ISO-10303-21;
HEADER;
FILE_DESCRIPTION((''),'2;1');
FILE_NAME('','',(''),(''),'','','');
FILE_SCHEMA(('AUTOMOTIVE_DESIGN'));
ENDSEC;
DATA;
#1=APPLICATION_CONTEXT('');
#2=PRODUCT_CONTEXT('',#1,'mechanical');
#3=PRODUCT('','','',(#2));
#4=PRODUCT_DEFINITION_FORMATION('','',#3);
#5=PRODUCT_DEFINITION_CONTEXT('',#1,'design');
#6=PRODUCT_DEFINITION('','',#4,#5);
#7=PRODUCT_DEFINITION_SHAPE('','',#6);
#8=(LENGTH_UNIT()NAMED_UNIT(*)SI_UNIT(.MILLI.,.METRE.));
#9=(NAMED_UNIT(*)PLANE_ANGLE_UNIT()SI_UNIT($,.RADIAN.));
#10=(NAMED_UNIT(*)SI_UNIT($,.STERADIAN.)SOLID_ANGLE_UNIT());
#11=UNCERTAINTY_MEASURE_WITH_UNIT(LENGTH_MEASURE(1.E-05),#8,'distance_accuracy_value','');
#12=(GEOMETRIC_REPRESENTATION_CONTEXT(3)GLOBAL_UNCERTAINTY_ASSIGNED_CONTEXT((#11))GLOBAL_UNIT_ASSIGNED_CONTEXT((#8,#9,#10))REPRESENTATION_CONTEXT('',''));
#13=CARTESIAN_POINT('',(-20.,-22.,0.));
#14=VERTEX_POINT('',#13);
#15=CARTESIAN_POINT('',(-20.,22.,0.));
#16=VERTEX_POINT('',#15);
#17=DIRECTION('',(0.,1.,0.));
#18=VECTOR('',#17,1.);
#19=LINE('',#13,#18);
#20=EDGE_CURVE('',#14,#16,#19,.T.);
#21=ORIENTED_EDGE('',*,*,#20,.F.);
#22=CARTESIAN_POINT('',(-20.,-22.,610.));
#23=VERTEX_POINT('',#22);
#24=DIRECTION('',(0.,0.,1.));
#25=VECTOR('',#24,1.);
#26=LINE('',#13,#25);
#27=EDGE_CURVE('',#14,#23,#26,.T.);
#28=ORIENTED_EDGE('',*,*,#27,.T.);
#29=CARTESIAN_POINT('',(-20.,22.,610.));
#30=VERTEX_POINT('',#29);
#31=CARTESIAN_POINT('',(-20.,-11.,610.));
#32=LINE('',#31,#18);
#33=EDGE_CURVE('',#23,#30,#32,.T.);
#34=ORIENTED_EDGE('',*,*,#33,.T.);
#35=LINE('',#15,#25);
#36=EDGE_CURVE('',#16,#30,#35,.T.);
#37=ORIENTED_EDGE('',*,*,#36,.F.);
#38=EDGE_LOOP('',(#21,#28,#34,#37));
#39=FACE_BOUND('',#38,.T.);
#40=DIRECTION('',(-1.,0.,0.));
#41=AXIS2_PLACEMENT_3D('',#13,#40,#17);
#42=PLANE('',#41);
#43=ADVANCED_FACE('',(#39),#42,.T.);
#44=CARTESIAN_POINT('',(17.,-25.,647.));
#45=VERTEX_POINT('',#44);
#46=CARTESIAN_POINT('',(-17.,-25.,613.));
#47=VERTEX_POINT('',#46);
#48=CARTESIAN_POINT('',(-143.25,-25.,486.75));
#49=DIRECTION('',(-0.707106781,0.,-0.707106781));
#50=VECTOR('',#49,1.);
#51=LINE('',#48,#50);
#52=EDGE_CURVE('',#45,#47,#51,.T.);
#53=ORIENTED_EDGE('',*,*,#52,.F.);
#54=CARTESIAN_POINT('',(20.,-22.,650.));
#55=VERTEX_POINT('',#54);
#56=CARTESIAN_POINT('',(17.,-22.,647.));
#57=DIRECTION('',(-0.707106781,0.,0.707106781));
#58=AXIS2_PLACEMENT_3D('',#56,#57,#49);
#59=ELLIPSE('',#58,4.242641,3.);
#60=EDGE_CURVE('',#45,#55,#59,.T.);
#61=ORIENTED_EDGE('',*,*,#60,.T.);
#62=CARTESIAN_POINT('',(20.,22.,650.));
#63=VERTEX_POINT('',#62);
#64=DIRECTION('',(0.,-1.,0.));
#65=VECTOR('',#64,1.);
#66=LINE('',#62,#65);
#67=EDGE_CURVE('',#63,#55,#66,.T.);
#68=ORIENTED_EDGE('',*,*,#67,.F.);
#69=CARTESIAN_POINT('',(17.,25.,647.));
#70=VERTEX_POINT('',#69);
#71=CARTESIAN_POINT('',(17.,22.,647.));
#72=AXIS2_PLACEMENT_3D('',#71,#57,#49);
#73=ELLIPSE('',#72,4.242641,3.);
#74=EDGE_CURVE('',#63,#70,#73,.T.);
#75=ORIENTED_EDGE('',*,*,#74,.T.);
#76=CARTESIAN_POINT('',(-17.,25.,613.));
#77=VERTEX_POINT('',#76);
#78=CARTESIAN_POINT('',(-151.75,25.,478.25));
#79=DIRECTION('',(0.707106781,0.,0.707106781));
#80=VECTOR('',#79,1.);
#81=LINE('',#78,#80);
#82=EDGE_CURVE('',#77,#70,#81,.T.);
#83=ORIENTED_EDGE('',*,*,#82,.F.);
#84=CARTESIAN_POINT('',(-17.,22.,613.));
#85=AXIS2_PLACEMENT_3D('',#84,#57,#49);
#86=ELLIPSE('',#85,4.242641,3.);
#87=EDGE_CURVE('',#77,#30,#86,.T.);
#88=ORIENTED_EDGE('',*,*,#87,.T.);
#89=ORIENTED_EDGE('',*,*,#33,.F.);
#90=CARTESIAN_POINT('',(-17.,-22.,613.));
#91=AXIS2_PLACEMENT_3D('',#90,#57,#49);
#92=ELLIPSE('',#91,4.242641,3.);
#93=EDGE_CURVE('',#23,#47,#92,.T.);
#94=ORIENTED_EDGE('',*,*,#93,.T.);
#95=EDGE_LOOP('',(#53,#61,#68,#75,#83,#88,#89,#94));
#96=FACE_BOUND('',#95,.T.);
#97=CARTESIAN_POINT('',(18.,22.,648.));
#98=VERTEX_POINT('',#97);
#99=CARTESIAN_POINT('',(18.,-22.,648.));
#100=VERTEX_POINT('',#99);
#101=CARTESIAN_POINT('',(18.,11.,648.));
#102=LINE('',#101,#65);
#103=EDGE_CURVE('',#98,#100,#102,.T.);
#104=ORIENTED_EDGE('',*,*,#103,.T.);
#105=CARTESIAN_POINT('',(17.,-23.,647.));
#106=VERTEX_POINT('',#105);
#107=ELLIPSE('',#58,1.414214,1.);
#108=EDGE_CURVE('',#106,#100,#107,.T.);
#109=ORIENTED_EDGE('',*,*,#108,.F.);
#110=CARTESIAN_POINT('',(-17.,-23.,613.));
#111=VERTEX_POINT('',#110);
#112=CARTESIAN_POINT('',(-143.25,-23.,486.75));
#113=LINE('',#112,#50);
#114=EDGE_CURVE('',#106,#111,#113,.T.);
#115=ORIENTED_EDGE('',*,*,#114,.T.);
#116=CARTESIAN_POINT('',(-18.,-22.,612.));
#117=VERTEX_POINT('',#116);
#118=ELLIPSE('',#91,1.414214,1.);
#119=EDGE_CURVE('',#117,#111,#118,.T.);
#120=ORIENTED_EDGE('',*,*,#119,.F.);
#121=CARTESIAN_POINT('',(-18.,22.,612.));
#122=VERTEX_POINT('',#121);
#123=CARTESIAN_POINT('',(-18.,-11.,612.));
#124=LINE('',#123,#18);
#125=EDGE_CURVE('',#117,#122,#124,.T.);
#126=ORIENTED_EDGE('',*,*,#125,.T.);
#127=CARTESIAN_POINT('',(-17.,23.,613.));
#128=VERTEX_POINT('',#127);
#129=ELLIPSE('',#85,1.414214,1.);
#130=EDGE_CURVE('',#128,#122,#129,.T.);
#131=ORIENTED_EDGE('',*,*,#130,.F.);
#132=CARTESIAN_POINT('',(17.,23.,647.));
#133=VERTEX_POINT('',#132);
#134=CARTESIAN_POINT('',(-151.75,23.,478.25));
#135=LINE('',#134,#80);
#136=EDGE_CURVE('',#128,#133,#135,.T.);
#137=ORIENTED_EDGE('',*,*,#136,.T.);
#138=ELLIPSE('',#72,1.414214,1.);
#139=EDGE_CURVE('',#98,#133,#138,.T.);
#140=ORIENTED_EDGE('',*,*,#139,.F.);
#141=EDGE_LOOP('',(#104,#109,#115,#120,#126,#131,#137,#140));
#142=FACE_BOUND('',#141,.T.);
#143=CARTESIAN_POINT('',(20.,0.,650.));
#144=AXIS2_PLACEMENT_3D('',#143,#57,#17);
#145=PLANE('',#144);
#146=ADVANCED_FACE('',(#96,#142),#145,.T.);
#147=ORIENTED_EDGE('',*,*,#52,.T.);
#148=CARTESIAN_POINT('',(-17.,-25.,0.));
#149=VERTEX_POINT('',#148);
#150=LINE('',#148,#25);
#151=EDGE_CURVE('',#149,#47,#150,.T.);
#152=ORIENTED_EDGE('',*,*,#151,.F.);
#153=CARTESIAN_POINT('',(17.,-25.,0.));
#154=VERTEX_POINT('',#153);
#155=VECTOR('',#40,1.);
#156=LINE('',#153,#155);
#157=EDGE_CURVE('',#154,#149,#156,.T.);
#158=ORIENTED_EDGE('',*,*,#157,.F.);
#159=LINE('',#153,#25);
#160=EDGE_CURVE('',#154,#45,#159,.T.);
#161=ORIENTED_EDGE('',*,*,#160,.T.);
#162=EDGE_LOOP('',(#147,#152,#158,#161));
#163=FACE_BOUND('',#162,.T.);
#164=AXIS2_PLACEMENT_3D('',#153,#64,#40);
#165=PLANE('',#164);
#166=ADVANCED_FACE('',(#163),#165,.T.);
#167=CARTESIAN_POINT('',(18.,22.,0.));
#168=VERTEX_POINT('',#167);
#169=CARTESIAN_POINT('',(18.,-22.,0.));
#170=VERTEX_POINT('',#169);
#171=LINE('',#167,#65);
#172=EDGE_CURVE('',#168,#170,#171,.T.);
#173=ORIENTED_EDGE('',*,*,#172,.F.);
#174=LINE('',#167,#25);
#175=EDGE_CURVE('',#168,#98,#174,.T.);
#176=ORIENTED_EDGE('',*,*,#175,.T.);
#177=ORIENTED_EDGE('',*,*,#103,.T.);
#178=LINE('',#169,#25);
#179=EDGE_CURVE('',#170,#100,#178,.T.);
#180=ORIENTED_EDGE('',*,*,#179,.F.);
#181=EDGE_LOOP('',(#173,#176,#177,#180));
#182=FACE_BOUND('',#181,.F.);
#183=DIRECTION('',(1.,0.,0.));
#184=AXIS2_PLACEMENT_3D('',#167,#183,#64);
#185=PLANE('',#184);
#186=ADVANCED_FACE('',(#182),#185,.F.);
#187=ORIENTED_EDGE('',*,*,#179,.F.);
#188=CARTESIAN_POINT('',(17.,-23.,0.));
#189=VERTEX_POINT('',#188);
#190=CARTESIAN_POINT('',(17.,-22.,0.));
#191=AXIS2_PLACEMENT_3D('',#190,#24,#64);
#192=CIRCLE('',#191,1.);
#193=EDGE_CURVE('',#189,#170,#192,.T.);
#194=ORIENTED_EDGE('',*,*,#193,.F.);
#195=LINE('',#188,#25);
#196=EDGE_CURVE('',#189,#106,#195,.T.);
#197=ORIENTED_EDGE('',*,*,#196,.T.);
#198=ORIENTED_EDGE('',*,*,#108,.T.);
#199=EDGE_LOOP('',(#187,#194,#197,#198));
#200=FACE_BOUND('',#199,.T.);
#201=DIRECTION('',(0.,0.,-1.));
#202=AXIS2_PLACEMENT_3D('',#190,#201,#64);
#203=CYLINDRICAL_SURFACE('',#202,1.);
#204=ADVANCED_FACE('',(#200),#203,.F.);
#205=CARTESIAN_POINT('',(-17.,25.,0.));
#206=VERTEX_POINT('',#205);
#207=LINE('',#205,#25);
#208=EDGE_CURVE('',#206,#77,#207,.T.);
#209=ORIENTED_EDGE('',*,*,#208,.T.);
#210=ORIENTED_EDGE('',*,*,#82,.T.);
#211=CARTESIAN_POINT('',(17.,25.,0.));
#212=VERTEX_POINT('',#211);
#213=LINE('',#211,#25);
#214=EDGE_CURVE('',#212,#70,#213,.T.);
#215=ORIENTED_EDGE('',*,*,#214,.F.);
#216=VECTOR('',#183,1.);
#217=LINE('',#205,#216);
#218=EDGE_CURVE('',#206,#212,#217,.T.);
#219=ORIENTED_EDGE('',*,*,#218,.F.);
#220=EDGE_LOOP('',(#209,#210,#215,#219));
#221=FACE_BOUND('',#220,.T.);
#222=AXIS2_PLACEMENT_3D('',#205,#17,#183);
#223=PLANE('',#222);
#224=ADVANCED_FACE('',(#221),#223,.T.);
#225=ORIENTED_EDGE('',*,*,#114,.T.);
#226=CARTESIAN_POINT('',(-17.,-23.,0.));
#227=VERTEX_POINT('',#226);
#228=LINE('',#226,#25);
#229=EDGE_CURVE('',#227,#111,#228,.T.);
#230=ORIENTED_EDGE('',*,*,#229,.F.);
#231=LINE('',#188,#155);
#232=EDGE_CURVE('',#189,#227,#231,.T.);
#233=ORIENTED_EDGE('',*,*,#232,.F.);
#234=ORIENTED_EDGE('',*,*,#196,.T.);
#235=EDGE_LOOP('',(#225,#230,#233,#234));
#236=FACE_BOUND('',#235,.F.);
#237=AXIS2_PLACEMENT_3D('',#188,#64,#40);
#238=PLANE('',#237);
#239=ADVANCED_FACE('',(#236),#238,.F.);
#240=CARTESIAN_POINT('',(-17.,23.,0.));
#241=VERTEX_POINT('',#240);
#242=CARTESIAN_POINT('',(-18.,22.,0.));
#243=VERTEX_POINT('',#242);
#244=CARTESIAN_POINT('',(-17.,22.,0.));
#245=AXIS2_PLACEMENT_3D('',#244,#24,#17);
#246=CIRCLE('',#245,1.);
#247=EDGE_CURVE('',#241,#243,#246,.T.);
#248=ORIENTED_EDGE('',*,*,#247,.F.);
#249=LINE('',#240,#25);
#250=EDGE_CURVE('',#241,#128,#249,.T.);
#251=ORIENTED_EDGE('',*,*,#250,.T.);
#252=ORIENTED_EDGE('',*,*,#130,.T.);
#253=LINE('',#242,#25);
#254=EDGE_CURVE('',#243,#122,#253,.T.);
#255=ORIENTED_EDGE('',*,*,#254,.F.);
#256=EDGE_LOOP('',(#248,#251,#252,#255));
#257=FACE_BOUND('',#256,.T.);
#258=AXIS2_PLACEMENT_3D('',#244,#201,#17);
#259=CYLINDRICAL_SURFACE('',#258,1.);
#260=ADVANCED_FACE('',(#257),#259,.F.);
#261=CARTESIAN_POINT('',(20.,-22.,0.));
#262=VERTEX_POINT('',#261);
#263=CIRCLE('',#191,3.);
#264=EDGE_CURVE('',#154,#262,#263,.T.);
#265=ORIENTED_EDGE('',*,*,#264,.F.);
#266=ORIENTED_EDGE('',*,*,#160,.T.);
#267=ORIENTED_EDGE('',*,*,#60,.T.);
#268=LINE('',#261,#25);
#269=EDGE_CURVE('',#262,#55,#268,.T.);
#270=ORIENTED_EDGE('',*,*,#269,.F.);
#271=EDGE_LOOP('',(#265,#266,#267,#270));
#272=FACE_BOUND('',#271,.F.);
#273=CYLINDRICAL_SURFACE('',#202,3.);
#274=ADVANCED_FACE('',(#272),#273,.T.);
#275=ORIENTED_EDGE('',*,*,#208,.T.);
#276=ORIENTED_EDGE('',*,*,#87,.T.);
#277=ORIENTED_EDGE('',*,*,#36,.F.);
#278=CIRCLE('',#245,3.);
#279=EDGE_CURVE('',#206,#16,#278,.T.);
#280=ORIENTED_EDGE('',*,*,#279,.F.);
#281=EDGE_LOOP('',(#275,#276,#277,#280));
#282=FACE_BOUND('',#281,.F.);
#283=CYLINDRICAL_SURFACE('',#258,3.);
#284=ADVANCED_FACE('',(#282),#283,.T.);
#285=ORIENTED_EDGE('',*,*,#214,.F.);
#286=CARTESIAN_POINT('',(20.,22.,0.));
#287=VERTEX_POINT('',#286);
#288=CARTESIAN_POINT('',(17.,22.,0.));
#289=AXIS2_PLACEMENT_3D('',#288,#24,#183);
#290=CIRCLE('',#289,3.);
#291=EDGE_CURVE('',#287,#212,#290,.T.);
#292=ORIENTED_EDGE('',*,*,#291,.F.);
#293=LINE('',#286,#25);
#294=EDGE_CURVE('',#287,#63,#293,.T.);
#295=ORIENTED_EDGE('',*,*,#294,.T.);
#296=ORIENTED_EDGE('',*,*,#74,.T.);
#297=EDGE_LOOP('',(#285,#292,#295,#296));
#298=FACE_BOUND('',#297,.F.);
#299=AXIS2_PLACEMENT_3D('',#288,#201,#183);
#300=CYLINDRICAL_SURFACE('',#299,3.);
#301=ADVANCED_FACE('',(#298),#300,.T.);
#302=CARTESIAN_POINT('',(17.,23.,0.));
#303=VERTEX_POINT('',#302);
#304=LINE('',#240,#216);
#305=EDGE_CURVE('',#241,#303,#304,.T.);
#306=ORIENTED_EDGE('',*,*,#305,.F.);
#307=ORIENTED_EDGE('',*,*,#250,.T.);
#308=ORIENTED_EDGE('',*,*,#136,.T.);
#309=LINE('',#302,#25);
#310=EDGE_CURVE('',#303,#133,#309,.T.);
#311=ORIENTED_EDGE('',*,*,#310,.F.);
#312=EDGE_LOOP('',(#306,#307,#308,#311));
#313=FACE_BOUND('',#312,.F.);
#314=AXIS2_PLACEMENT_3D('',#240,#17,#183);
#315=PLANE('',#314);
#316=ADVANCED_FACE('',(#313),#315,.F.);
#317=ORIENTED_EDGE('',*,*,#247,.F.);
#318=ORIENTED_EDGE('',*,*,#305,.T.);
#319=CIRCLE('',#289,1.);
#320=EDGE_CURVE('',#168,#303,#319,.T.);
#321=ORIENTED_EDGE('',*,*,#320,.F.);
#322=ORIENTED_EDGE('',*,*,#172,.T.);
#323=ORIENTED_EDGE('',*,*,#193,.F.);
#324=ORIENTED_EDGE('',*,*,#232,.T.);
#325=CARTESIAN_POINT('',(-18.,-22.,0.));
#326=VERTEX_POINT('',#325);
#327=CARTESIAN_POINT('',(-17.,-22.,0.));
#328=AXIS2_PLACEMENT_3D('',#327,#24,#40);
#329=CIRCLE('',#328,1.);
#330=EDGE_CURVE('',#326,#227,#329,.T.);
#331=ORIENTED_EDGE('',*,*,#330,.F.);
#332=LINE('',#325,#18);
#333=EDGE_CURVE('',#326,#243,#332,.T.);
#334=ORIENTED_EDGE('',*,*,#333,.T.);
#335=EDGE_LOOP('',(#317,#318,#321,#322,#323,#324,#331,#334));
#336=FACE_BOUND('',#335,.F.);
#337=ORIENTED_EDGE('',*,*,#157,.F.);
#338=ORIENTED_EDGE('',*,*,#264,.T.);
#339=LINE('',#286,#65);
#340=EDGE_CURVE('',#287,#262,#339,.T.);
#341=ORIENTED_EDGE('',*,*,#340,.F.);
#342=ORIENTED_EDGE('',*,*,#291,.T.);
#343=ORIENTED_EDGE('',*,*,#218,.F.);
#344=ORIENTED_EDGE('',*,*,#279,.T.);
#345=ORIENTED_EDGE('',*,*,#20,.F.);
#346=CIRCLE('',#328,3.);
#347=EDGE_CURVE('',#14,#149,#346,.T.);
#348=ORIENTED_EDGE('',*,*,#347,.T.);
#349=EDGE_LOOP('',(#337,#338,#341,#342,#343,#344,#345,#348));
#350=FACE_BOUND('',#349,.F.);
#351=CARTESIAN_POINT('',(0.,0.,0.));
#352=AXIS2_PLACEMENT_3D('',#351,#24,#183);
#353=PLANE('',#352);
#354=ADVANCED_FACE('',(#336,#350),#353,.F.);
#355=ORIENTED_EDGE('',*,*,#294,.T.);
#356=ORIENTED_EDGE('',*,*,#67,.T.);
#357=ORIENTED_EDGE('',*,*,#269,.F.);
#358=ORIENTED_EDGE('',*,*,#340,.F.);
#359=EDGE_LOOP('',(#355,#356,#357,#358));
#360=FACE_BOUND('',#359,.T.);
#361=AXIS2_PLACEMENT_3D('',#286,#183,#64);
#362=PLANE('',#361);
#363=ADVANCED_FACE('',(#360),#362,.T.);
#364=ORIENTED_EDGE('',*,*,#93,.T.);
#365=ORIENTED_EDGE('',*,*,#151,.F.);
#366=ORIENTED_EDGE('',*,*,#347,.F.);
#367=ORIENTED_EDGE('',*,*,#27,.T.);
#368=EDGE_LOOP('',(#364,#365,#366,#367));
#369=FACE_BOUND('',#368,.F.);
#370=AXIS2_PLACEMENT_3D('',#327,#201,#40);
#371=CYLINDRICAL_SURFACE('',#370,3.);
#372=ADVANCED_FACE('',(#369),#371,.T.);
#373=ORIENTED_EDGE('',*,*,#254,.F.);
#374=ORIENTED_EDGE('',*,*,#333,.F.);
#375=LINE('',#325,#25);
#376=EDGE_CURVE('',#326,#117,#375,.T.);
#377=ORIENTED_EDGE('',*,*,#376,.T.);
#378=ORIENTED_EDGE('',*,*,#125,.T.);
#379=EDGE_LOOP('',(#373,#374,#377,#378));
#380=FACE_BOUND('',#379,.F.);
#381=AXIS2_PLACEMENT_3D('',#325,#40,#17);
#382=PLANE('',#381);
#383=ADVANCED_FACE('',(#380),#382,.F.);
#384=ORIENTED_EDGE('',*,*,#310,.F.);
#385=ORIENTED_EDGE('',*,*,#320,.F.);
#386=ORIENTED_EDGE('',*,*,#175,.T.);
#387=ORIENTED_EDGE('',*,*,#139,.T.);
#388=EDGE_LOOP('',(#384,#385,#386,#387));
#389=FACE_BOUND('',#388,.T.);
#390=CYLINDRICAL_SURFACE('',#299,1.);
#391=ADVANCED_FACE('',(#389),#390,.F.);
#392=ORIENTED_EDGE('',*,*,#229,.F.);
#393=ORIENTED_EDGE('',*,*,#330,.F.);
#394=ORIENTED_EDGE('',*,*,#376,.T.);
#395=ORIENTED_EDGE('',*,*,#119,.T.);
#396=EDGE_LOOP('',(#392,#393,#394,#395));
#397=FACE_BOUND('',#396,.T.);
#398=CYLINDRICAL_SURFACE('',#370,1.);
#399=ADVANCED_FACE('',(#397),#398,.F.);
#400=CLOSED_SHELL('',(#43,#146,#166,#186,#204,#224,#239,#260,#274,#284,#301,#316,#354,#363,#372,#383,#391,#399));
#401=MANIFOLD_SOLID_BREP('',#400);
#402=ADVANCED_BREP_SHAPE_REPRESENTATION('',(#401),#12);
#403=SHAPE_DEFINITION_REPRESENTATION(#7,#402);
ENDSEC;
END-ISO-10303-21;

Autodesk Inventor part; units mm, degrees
ref_plane "Start plane" through (0, 0, 0) normal (0, 0, 1) x (1, 0, 0)
ref_plane "End plane" through (0, 0, 650) normal (0, 0, 1) x (1, 0, 0)
sketch "Sketch" plane through (0, 0, 0) normal (0, 0, 1) x (1, 0, 0)
  line L0 (-20, -22) -> (-20, 22)
  line L1 (-17, 25) -> (17, 25)
  line L2 (20, 22) -> (20, -22)
  line L3 (17, -25) -> (-17, -25)
  arc A0 (-20, -22) -> (-17, -25) centre (-17, -22) ccw
  arc A1 (-17, 25) -> (-20, 22) centre (-17, 22) ccw
  arc A2 (20, 22) -> (17, 25) centre (17, 22) ccw
  arc A3 (17, -25) -> (20, -22) centre (17, -22) ccw
  arc A4 (-17, 23) -> (-18, 22) centre (-17, 22) ccw
  line L4 (-17, 23) -> (17, 23)
  arc A5 (18, 22) -> (17, 23) centre (17, 22) ccw
  line L5 (18, 22) -> (18, -22)
  arc A6 (17, -23) -> (18, -22) centre (17, -22) ccw
  line L6 (17, -23) -> (-17, -23)
  arc A7 (-18, -22) -> (-17, -23) centre (-17, -22) ccw
  line L7 (-18, -22) -> (-18, 22)
  line L8 (0, 35.8698) -> (0, -35.8698) construction
  line L9 (-28.8698, 0) -> (28.8698, 0) construction
  dimension "d7" = 3
  dimension "d10" = 50
  dimension "d11" = 40
  dimension "d12" = 2
  dimension "d15" = 25
  dimension "d16" = 20
extrude "Body" add sketch "Sketch" along normal up to surface (650 mm away) from surface at 0
sketch "Sketch3" plane through (0, 0, 0) normal (0, 0, 1) x (1, 0, 0)
  line L0 (0, 0) -> (10, 0)
ref_plane "Work Plane3" through (0, 0, 0) normal (0, -1, 0) x (1, 0, 0)
sketch "Sketch4" plane through (0, 0, 0) normal (0, -1, 0) x (1, 0, 0)
  line L0 (-2, 0) -> (12, 0)
  line L1 (-2, 650) -> (12, 650)
  dimension "d18" = 650
ref_plane "Work Plane5" through (20, 0, 650) normal (-0.7071, 0, 0.7071) x (0.7071, 0, 0.7071)
split "Split2" plane through (20, 0, 650) removes the side toward (-0.7071, 0, 0.7071)
equation "\"d7\" = G_IR"
equation "\"d10\" = G_H"
equation "\"d11\" = G_W"
equation "\"d12\" = G_T"
equation "\"d15\" = 0.5 * d10"
equation "\"d16\" = 0.5 * d11"
equation "\"d3\" = G_L"
equation "\"G_W\" = 40"
equation "\"G_H\" = 50"
equation "\"G_T\" = 2"
equation "\"G_IR\" = 3"
equation "\"G_L\" = d18"
equation "\"G_OFFSET_START\" = 0"
equation "\"G_OFFSET_END\" = 0"
equation "\"d14\" = G_OFFSET_END + B_L"
equation "\"B_L\" = 650"
properties part number "UNI EN 10305-5 - 50 x 40 x 2  - 650" material "Steel, Mild"
